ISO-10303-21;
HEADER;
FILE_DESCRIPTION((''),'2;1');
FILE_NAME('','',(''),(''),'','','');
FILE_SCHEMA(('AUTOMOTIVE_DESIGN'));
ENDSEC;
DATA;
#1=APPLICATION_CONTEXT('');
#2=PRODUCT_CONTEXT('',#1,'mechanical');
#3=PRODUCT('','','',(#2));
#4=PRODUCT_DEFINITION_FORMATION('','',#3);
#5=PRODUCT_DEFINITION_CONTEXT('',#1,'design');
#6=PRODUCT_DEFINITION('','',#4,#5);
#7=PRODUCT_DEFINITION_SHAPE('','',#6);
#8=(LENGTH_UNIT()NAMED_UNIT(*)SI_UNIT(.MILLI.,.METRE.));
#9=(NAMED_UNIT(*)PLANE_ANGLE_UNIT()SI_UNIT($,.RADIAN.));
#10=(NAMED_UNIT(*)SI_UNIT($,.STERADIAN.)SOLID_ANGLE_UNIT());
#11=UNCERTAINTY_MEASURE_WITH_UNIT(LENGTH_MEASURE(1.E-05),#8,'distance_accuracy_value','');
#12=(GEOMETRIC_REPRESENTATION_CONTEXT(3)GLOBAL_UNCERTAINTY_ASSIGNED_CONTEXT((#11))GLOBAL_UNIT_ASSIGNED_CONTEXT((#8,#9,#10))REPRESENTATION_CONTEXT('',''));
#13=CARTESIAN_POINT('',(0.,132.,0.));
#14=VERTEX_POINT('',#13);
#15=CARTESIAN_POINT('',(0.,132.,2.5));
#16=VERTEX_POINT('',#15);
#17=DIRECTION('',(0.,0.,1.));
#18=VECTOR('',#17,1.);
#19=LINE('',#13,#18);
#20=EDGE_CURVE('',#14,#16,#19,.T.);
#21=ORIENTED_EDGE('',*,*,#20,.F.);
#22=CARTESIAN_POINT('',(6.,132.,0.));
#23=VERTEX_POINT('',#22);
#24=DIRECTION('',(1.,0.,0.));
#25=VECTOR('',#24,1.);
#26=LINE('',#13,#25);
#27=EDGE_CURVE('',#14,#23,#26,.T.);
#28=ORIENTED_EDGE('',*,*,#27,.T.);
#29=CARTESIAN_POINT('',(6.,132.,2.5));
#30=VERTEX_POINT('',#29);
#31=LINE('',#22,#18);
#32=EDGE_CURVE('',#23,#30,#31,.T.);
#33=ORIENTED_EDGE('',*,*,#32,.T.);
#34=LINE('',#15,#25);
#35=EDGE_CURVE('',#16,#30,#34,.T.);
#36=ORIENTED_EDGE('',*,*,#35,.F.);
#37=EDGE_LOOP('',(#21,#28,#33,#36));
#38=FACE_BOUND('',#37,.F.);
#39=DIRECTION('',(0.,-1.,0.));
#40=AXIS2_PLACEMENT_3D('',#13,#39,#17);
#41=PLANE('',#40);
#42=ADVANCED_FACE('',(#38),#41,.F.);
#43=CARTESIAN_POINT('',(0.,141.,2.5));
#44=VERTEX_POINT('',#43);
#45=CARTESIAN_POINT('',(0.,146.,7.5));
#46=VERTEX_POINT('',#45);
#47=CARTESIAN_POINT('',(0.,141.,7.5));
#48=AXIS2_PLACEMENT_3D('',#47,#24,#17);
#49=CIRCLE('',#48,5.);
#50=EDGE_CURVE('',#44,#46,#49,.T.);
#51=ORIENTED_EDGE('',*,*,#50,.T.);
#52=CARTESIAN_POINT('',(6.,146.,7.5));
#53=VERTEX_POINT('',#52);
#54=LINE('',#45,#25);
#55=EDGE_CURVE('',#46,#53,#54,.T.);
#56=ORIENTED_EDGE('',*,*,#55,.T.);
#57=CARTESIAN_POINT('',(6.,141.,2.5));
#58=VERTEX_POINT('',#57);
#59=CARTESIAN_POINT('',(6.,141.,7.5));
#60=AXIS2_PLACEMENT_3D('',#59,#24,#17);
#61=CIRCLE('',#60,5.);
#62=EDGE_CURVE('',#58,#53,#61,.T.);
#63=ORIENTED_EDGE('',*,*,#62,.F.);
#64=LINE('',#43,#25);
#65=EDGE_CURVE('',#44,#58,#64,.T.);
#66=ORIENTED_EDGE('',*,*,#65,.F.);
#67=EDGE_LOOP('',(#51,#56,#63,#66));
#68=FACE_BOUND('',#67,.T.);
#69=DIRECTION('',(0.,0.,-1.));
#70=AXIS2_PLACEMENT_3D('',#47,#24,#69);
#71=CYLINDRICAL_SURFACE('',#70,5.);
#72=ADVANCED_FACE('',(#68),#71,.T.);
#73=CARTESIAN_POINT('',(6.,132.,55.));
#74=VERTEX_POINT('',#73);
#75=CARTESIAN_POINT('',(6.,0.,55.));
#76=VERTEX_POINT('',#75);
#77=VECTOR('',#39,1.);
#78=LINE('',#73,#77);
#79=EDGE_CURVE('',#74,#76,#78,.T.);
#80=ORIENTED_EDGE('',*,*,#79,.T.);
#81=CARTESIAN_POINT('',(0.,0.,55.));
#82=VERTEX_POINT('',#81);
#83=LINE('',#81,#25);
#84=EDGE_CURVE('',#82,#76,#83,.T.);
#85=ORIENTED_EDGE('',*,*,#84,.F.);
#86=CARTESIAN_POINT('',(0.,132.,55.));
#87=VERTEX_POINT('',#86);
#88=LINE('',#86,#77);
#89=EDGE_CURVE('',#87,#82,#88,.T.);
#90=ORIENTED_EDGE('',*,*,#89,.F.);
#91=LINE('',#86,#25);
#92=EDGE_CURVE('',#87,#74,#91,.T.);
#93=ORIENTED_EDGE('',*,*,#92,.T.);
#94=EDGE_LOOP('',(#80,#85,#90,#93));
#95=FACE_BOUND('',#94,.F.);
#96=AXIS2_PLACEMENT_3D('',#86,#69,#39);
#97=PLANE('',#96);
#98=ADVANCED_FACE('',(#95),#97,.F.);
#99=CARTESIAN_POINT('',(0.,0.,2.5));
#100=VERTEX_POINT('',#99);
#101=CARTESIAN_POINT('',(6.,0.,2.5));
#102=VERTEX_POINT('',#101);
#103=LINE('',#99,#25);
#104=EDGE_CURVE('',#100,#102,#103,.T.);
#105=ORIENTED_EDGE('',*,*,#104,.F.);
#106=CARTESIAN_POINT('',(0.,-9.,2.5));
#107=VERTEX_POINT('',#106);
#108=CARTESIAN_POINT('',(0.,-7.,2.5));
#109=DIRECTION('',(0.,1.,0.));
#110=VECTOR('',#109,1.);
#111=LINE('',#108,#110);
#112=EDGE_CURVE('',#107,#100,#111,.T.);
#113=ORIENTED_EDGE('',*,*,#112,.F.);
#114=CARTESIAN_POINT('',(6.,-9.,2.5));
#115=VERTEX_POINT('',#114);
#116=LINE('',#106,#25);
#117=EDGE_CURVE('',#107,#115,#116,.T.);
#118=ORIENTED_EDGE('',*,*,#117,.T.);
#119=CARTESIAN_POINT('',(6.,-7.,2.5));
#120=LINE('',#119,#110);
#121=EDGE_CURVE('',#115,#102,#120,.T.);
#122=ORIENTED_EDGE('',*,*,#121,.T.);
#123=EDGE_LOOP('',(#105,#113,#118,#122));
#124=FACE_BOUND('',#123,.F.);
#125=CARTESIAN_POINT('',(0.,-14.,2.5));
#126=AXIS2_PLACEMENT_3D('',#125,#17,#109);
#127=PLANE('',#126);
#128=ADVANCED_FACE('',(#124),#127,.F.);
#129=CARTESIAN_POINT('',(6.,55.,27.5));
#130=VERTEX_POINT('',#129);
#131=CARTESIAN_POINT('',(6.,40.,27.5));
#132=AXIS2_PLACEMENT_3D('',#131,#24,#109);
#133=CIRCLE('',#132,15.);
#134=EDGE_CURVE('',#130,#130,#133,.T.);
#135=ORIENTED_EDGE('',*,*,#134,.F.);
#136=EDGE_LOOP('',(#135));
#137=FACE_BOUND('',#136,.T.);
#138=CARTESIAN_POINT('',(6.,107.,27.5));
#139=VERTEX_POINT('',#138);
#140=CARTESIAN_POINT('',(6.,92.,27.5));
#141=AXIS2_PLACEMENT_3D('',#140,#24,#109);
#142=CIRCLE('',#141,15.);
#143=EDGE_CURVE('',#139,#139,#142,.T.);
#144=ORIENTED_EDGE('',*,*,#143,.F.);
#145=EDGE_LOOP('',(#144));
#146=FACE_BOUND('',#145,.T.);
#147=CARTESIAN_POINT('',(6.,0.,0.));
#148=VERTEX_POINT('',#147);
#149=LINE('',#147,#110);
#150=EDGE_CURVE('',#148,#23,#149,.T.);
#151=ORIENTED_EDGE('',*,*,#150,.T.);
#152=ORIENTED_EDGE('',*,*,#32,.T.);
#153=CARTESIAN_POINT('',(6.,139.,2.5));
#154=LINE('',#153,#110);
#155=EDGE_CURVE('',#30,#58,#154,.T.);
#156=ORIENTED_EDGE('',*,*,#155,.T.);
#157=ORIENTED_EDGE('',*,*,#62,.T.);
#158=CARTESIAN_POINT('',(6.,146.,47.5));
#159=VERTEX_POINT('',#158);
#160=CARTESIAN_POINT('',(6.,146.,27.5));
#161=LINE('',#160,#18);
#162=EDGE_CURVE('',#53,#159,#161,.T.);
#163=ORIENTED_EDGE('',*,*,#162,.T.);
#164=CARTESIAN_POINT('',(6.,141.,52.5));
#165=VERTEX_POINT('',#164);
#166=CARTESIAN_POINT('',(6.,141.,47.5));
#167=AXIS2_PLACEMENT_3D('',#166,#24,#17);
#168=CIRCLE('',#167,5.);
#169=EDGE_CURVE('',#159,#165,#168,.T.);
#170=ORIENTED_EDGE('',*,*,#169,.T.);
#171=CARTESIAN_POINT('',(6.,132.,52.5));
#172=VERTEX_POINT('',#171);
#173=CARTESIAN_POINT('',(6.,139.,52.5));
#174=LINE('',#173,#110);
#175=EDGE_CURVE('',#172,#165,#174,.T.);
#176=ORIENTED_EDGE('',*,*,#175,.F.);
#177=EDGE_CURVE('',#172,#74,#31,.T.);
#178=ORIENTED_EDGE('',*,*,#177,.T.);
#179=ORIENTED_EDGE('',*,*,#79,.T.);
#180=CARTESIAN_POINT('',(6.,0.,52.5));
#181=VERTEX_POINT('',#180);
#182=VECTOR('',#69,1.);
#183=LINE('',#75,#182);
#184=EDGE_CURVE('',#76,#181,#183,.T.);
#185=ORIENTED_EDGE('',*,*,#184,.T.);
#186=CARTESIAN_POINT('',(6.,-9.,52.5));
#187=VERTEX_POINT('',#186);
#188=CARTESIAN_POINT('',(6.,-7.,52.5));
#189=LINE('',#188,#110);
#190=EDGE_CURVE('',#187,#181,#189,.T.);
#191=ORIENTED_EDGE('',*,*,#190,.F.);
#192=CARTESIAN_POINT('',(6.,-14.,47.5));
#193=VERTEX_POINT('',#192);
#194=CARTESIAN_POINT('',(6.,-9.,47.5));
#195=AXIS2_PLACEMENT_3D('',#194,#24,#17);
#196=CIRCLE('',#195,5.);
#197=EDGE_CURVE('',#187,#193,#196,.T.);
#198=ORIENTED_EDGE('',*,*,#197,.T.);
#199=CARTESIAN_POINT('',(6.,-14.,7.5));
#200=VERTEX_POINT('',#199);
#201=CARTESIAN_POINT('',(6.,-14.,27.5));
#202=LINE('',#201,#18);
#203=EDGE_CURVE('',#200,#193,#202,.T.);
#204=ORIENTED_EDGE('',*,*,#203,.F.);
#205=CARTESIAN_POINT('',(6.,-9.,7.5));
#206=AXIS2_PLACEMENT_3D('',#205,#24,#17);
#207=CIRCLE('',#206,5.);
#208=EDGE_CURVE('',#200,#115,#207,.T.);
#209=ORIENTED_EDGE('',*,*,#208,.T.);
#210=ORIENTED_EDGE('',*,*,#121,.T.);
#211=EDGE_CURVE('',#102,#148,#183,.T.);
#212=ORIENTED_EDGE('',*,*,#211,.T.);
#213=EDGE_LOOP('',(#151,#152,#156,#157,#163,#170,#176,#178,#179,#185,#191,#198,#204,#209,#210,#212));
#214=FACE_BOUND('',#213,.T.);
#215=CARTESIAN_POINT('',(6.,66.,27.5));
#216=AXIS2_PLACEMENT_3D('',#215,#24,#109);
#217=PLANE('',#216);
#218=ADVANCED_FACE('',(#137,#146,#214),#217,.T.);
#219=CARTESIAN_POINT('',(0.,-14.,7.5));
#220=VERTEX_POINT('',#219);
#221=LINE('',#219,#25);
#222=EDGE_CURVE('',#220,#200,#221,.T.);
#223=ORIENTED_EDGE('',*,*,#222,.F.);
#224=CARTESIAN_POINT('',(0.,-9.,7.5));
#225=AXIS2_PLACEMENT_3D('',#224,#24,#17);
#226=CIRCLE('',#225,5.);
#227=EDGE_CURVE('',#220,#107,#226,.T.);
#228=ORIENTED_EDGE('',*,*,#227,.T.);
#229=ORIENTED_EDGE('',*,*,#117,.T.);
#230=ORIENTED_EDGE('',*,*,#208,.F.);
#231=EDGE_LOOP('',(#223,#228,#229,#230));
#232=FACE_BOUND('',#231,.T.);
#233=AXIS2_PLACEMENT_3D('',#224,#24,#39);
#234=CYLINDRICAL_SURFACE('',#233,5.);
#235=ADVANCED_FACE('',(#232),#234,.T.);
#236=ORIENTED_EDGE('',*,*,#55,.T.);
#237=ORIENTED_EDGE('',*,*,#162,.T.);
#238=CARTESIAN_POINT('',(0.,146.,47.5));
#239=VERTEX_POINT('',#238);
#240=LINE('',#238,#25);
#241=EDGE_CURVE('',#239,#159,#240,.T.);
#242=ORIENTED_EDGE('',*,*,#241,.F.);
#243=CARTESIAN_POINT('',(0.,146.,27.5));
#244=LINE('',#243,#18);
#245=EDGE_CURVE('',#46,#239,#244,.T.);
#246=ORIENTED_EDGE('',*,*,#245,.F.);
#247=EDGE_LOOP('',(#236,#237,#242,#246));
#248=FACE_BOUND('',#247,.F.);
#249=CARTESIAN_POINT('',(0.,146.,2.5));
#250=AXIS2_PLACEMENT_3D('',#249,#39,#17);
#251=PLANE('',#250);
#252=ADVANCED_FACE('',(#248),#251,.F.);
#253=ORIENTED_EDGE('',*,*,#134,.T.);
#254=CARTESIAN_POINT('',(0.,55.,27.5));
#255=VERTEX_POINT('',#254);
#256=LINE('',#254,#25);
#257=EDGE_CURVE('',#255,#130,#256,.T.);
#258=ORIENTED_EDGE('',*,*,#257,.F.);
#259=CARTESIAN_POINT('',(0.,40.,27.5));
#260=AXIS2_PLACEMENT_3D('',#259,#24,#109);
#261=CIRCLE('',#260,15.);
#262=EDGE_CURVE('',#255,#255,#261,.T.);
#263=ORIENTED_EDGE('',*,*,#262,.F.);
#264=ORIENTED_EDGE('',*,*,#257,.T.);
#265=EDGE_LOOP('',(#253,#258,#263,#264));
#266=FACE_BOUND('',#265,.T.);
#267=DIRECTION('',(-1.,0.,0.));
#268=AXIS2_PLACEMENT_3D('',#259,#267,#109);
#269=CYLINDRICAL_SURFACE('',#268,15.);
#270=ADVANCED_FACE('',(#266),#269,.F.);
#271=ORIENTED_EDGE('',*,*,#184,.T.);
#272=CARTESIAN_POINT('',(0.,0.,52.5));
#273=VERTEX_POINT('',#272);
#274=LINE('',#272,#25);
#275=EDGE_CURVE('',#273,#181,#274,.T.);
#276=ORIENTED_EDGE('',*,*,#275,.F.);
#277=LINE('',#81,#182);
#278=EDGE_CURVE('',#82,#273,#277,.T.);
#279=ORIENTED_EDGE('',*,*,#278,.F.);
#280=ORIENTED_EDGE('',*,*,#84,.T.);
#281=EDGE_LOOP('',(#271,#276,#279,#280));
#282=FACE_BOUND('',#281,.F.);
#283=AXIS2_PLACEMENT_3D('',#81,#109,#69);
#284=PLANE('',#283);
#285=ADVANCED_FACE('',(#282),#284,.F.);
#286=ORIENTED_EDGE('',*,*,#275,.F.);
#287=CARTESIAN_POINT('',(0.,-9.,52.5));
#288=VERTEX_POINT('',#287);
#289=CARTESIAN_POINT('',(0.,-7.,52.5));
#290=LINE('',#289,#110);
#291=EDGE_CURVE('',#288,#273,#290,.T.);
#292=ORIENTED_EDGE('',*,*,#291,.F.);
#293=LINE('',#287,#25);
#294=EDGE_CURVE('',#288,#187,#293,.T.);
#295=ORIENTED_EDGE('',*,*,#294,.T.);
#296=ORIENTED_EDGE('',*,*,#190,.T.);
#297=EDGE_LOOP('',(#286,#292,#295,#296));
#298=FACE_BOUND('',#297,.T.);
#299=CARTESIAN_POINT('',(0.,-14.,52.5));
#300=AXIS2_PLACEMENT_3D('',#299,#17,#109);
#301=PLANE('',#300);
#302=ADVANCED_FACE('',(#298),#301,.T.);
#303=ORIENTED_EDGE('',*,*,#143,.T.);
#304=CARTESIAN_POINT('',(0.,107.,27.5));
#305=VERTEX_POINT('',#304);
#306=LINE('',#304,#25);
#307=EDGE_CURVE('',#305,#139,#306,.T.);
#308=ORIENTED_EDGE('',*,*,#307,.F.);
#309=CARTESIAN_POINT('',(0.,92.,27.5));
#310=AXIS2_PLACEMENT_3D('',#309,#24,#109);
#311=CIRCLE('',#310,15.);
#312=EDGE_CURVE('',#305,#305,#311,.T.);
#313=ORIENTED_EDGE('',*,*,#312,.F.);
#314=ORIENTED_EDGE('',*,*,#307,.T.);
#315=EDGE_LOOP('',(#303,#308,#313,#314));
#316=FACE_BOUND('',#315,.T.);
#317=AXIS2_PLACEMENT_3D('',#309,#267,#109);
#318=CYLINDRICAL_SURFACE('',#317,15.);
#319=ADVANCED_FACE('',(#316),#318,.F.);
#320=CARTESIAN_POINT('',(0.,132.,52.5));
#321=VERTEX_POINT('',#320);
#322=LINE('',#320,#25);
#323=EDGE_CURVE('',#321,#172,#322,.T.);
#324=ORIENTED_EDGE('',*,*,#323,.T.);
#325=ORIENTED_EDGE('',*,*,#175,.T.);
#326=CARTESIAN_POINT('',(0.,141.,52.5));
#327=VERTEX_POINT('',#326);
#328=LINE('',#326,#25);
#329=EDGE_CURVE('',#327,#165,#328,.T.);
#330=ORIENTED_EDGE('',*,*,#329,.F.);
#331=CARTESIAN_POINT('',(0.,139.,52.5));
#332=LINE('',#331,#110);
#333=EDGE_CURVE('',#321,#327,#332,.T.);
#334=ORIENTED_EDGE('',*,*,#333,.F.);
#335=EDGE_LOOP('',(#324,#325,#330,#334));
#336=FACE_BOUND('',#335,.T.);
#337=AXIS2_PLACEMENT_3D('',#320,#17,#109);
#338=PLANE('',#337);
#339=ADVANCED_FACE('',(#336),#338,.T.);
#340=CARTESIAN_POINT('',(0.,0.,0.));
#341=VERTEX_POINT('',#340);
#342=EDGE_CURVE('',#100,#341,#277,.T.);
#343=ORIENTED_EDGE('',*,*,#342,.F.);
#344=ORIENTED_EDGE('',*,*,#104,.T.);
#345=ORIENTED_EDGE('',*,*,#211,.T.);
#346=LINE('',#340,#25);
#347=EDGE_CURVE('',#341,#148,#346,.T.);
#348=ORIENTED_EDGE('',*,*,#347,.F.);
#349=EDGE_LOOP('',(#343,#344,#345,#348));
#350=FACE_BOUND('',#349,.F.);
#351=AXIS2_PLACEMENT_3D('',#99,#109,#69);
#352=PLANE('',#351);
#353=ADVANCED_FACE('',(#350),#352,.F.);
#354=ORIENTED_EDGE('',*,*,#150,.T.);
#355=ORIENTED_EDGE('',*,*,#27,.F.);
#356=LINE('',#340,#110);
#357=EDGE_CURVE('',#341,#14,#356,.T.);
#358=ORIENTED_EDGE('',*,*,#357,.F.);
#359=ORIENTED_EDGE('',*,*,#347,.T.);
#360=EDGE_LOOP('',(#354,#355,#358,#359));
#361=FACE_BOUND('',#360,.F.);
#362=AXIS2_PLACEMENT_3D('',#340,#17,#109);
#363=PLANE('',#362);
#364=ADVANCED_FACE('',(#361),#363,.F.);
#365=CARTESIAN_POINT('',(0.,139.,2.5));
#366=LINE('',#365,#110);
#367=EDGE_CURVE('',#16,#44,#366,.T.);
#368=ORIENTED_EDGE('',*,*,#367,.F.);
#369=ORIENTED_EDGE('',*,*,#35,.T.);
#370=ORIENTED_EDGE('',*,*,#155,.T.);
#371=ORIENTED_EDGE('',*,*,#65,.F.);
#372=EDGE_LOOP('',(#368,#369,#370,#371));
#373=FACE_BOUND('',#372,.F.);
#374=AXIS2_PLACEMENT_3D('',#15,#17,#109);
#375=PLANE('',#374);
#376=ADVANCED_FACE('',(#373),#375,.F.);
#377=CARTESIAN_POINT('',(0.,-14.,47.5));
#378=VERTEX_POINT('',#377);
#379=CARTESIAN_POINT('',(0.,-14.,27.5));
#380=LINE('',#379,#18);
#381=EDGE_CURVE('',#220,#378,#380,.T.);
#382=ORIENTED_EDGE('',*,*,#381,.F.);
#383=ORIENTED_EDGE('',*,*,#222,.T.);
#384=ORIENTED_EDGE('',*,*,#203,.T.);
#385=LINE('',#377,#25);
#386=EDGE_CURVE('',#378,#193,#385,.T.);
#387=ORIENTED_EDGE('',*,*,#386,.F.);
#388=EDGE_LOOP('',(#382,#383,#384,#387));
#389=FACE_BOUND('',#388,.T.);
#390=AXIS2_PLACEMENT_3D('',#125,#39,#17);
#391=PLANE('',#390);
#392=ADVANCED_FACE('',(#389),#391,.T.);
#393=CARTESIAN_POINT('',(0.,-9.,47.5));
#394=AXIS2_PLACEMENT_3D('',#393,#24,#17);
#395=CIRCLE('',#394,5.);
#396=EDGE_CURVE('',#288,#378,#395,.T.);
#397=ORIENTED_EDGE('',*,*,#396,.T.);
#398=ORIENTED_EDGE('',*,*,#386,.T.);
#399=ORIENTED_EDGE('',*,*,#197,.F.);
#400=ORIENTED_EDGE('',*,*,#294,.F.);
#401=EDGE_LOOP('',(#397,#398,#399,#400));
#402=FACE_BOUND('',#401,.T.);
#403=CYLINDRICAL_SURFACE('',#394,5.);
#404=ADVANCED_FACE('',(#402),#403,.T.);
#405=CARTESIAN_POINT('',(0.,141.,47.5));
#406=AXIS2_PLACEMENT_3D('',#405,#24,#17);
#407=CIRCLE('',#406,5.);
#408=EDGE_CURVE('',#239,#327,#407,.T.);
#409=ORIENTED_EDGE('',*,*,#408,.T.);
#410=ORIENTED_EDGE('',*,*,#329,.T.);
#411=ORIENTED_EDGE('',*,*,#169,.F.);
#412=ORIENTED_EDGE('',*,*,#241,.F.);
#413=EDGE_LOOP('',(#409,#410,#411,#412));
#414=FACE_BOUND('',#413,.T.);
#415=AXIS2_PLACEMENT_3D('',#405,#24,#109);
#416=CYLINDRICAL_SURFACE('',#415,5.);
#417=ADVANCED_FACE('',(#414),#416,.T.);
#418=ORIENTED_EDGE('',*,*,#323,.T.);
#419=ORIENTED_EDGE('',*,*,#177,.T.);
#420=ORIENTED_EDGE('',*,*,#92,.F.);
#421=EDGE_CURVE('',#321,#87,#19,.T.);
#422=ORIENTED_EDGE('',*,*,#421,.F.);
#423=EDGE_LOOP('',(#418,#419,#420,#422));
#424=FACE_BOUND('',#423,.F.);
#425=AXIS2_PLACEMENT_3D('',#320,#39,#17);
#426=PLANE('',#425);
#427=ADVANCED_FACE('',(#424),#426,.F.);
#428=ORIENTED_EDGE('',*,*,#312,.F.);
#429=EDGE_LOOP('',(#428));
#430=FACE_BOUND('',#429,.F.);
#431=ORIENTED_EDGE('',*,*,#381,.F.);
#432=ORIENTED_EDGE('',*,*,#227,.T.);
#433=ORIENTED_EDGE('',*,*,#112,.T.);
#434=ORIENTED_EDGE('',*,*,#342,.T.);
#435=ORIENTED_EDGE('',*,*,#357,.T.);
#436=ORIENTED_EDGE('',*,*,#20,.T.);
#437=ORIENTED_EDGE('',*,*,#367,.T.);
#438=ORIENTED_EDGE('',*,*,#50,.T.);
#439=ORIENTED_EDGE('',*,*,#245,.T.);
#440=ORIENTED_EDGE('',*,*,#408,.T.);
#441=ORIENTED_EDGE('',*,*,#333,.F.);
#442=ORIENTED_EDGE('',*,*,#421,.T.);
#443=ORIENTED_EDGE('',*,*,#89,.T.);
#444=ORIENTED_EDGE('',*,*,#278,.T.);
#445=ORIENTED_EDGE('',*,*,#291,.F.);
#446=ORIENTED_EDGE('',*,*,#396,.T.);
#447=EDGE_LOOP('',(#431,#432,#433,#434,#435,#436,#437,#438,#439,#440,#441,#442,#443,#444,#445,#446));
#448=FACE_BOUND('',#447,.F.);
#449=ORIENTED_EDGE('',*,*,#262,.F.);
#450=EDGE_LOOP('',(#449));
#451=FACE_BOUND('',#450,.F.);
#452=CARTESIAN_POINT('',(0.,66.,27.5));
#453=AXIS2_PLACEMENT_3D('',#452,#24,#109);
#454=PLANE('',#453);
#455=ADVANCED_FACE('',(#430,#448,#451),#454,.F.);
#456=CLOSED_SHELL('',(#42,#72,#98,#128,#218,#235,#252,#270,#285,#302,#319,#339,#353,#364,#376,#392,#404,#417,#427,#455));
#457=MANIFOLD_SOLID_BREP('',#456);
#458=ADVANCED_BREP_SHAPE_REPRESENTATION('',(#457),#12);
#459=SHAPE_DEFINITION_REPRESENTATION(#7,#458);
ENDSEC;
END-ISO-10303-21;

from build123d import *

# Parameters (mm, degrees)
F0_R     = 15
F0_W     = 14
F0_H     = 50
F1_DEPTH = 6
F2_R     = 5


with BuildPart() as f1:
    # F0 (on Right) → F1 (new body)
    with BuildSketch(Plane.YZ):
        Polygon((132, 55), (0, 55), (0, 52.5), (0, 2.5), (0, 0), (132, 0), (132, 2.5), (132, 52.5), align=None)
        with Locations((40, 27.5)):
            Circle(F0_R, mode=Mode.SUBTRACT)
        with Locations((92, 27.5)):
            Circle(F0_R, mode=Mode.SUBTRACT)
        with Locations((-7, 27.5)):
            Rectangle(F0_W, F0_H)
        with Locations((139, 27.5)):
            Rectangle(F0_W, F0_H)
    extrude(amount=F1_DEPTH)

    # F2
    f2_edges = [f1.edges().sort_by_distance(p)[0] for p in [
        (3, -14, 2.5),
        (3, -14, 52.5),
        (3, 146, 52.5),
        (3, 146, 2.5),
    ]]
    fillet(f2_edges, radius=F2_R)


solid = f1.part
